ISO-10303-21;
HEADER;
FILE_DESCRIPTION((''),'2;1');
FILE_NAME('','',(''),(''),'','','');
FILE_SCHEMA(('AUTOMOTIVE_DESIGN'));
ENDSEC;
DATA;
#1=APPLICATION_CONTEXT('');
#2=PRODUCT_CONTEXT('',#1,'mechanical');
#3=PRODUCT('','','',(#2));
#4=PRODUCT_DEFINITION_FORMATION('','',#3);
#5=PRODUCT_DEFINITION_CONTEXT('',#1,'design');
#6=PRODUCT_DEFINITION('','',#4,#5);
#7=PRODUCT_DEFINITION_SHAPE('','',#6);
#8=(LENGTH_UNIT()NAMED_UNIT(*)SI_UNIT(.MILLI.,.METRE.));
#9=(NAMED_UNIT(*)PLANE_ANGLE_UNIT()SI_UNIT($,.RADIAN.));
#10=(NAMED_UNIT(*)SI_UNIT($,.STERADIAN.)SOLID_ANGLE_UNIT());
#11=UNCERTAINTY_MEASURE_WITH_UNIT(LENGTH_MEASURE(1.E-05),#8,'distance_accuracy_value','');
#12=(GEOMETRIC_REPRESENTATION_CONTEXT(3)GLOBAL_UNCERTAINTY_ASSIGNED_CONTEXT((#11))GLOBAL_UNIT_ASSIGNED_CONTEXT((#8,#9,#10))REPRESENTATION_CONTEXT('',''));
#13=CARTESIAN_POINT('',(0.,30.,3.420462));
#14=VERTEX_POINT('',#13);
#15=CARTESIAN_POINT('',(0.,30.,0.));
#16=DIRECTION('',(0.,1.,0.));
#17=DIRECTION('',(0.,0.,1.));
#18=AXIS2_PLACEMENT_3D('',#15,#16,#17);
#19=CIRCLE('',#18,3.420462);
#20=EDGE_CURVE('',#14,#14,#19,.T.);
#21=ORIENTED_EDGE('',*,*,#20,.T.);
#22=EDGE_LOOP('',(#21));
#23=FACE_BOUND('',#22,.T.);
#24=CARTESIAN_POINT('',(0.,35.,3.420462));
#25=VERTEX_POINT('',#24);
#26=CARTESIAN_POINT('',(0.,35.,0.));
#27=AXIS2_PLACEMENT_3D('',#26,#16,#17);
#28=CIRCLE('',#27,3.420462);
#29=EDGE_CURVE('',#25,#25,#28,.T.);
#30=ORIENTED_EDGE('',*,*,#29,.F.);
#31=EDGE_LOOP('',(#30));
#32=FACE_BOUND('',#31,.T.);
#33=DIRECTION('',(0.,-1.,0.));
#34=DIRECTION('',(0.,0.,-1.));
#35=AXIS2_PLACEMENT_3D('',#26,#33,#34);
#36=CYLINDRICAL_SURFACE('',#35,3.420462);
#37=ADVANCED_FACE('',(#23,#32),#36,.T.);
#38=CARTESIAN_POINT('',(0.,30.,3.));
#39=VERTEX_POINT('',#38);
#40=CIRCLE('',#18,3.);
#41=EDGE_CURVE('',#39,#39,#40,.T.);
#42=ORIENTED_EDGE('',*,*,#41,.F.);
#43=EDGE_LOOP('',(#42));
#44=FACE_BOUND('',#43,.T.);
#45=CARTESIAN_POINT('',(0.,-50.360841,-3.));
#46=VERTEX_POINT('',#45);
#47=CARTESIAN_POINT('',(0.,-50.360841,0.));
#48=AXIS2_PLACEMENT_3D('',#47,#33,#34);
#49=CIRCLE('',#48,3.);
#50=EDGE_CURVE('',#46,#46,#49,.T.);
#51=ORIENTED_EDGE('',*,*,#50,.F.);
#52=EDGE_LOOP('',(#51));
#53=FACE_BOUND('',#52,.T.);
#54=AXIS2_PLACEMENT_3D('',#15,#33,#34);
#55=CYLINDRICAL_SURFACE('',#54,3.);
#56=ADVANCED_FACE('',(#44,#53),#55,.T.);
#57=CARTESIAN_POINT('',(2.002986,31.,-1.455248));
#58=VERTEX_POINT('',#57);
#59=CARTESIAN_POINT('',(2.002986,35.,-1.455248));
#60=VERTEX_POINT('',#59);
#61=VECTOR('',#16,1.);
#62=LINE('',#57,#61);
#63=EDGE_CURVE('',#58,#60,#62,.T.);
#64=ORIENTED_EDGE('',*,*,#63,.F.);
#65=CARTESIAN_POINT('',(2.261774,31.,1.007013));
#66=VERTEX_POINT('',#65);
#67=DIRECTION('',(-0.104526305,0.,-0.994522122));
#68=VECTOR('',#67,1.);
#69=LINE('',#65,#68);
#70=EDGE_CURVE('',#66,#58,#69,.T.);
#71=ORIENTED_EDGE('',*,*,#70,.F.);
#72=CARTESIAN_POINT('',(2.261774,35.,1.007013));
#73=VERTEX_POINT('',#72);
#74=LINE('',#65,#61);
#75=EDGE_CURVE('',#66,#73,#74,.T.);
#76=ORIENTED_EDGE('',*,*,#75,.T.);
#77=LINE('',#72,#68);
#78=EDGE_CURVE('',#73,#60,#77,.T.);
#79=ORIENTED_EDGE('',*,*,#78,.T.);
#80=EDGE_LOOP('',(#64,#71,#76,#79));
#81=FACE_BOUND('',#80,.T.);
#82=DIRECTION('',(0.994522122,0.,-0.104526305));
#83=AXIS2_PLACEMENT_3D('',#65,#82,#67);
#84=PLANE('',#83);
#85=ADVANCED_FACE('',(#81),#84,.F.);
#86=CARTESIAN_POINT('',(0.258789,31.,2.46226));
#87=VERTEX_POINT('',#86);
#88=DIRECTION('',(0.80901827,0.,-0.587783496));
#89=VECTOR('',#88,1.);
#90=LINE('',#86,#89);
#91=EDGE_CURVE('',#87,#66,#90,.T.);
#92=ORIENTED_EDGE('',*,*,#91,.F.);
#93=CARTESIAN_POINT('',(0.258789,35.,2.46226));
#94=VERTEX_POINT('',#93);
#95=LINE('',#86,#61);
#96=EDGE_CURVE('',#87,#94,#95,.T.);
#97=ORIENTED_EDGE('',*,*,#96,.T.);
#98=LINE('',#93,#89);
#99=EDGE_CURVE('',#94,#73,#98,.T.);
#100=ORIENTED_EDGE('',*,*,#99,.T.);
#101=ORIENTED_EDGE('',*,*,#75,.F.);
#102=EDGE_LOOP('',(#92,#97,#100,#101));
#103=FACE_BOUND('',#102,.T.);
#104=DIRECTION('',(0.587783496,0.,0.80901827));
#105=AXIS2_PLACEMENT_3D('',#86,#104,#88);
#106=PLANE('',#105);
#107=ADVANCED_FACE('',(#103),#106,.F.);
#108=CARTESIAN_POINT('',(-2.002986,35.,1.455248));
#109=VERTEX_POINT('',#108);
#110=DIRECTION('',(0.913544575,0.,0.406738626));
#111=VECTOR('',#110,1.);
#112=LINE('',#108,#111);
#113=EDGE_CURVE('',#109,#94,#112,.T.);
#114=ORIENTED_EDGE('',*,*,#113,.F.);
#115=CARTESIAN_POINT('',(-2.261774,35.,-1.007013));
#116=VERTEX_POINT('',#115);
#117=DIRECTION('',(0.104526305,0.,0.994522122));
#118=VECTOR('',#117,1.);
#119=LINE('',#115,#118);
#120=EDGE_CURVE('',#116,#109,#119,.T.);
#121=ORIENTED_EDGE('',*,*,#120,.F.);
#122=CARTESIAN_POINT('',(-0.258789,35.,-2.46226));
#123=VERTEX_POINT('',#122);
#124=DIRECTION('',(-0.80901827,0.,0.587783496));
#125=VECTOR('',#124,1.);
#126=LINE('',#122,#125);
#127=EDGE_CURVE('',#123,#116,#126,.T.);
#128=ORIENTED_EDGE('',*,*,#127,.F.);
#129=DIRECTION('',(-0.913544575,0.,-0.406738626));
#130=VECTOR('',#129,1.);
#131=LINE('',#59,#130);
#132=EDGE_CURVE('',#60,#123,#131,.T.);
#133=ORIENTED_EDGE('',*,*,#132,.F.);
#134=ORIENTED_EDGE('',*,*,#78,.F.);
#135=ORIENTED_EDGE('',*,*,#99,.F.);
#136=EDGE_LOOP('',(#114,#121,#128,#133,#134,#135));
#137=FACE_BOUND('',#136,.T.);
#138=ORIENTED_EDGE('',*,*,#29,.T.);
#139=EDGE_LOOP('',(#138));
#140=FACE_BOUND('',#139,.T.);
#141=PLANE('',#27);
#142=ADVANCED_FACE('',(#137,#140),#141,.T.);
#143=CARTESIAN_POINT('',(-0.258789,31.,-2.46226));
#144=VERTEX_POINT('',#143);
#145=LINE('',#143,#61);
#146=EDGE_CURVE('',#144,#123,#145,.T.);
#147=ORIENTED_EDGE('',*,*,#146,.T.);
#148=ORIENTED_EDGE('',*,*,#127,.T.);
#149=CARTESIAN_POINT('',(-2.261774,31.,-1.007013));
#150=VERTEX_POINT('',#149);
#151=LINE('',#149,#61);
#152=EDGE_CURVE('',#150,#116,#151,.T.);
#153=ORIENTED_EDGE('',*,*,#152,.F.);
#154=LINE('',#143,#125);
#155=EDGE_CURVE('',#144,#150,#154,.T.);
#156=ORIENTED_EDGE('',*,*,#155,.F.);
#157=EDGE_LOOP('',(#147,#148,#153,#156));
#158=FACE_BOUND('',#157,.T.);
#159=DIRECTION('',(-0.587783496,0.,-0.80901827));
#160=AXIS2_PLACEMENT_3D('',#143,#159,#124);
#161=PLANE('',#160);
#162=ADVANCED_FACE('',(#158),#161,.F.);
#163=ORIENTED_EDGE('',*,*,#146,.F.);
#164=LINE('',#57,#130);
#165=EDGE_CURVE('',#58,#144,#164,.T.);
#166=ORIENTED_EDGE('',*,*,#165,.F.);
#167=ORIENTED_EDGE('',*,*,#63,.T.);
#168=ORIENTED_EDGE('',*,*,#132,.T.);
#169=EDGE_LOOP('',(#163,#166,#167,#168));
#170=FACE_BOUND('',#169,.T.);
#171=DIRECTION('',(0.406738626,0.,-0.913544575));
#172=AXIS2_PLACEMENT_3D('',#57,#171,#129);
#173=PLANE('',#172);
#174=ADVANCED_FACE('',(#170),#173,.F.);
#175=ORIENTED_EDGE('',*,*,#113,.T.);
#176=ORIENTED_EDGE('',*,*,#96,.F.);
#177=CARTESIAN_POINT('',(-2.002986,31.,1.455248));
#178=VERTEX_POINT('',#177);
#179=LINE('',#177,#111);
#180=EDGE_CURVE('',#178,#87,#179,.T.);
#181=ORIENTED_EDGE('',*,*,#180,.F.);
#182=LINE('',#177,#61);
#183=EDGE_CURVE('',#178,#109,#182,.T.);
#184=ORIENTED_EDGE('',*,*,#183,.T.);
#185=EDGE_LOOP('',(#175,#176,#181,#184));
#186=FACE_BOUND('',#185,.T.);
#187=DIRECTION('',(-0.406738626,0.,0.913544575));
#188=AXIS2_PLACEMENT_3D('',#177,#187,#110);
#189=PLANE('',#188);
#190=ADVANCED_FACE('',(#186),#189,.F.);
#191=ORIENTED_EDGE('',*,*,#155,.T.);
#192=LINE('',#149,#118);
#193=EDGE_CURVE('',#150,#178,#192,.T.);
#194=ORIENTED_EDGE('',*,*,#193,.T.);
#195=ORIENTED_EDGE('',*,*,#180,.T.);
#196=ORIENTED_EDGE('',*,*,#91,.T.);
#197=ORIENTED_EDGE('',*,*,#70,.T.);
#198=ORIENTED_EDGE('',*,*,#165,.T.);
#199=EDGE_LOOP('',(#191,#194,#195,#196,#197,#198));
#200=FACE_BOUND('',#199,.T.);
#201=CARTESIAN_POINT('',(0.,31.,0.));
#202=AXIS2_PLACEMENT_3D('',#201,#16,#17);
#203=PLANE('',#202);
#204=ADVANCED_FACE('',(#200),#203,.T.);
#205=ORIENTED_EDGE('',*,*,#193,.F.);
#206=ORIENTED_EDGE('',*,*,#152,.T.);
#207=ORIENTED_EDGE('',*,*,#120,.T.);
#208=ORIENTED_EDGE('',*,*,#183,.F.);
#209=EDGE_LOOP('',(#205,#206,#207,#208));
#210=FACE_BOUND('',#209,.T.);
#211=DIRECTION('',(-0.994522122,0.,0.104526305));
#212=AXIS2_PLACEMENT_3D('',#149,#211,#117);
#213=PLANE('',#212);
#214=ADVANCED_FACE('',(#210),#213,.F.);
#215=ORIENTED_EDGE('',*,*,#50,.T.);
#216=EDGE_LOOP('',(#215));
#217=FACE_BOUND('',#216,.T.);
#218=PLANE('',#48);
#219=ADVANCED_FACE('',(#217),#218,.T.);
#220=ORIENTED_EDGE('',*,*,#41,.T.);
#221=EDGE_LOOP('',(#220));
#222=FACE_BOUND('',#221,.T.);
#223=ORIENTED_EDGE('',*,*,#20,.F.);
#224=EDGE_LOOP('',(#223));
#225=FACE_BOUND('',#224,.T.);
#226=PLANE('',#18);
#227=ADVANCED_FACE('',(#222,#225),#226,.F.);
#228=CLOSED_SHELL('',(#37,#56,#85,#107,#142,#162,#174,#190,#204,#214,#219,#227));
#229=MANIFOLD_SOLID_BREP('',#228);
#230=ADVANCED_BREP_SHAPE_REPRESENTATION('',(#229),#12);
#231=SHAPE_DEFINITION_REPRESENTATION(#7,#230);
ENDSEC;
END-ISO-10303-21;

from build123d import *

# Parameters (mm, degrees)
SKETCH1_R           = 3
BOSS_EXTRUDE1_DEPTH = 30
SKETCH2_R           = 3.420462188
BOSS_EXTRUDE2_DEPTH = 5
CUT_EXTRUDE1_DEPTH  = 4
BOSS_EXTRUDE3_START = 50.360841313
SKETCH4_R           = 3
BOSS_EXTRUDE3_DEPTH = 50.360841313


with BuildPart() as part:
    # Sketch1 → Boss-Extrude1 (new body)
    with BuildSketch(Plane(origin=(0, 0, 0), x_dir=(1, 0, 0), z_dir=(0, 1, 0))):
        with Locations(Location((0, 0, 0), (0, 0, 270))):
            Circle(SKETCH1_R)
    extrude(amount=BOSS_EXTRUDE1_DEPTH)

    # Sketch2 → Boss-Extrude2 (add)
    with BuildSketch(Plane(origin=(0, 30, 0), x_dir=(1, 0, 0), z_dir=(0, 1, 0))):
        with Locations(Location((0, 0, 0), (0, 0, 270))):
            Circle(SKETCH2_R)
    extrude(amount=BOSS_EXTRUDE2_DEPTH)

    # Sketch3 → Cut-Extrude1 (cut)
    with BuildSketch(Plane(origin=(0, 35, 0), x_dir=(1, 0, 0), z_dir=(0, 1, 0))):
        Polygon((-0.25878856, 2.462260088), (-2.261774067, 1.007012576), (-2.002985506, -1.455247511), (0.25878856, -2.462260088), (2.261774067, -1.007012576), (2.002985506, 1.455247511), align=None)
    extrude(amount=-CUT_EXTRUDE1_DEPTH, mode=Mode.SUBTRACT)

    # Sketch4 → Boss-Extrude3 (add)
    with BuildSketch(Plane(origin=(0, 0, 0), x_dir=(-1, 0, 0), z_dir=(0, -1, 0)).offset(BOSS_EXTRUDE3_START)):
        with Locations(Location((0, 0, 0), (0, 0, 90))):
            Circle(SKETCH4_R)
    extrude(amount=-BOSS_EXTRUDE3_DEPTH)


solid = part.part
